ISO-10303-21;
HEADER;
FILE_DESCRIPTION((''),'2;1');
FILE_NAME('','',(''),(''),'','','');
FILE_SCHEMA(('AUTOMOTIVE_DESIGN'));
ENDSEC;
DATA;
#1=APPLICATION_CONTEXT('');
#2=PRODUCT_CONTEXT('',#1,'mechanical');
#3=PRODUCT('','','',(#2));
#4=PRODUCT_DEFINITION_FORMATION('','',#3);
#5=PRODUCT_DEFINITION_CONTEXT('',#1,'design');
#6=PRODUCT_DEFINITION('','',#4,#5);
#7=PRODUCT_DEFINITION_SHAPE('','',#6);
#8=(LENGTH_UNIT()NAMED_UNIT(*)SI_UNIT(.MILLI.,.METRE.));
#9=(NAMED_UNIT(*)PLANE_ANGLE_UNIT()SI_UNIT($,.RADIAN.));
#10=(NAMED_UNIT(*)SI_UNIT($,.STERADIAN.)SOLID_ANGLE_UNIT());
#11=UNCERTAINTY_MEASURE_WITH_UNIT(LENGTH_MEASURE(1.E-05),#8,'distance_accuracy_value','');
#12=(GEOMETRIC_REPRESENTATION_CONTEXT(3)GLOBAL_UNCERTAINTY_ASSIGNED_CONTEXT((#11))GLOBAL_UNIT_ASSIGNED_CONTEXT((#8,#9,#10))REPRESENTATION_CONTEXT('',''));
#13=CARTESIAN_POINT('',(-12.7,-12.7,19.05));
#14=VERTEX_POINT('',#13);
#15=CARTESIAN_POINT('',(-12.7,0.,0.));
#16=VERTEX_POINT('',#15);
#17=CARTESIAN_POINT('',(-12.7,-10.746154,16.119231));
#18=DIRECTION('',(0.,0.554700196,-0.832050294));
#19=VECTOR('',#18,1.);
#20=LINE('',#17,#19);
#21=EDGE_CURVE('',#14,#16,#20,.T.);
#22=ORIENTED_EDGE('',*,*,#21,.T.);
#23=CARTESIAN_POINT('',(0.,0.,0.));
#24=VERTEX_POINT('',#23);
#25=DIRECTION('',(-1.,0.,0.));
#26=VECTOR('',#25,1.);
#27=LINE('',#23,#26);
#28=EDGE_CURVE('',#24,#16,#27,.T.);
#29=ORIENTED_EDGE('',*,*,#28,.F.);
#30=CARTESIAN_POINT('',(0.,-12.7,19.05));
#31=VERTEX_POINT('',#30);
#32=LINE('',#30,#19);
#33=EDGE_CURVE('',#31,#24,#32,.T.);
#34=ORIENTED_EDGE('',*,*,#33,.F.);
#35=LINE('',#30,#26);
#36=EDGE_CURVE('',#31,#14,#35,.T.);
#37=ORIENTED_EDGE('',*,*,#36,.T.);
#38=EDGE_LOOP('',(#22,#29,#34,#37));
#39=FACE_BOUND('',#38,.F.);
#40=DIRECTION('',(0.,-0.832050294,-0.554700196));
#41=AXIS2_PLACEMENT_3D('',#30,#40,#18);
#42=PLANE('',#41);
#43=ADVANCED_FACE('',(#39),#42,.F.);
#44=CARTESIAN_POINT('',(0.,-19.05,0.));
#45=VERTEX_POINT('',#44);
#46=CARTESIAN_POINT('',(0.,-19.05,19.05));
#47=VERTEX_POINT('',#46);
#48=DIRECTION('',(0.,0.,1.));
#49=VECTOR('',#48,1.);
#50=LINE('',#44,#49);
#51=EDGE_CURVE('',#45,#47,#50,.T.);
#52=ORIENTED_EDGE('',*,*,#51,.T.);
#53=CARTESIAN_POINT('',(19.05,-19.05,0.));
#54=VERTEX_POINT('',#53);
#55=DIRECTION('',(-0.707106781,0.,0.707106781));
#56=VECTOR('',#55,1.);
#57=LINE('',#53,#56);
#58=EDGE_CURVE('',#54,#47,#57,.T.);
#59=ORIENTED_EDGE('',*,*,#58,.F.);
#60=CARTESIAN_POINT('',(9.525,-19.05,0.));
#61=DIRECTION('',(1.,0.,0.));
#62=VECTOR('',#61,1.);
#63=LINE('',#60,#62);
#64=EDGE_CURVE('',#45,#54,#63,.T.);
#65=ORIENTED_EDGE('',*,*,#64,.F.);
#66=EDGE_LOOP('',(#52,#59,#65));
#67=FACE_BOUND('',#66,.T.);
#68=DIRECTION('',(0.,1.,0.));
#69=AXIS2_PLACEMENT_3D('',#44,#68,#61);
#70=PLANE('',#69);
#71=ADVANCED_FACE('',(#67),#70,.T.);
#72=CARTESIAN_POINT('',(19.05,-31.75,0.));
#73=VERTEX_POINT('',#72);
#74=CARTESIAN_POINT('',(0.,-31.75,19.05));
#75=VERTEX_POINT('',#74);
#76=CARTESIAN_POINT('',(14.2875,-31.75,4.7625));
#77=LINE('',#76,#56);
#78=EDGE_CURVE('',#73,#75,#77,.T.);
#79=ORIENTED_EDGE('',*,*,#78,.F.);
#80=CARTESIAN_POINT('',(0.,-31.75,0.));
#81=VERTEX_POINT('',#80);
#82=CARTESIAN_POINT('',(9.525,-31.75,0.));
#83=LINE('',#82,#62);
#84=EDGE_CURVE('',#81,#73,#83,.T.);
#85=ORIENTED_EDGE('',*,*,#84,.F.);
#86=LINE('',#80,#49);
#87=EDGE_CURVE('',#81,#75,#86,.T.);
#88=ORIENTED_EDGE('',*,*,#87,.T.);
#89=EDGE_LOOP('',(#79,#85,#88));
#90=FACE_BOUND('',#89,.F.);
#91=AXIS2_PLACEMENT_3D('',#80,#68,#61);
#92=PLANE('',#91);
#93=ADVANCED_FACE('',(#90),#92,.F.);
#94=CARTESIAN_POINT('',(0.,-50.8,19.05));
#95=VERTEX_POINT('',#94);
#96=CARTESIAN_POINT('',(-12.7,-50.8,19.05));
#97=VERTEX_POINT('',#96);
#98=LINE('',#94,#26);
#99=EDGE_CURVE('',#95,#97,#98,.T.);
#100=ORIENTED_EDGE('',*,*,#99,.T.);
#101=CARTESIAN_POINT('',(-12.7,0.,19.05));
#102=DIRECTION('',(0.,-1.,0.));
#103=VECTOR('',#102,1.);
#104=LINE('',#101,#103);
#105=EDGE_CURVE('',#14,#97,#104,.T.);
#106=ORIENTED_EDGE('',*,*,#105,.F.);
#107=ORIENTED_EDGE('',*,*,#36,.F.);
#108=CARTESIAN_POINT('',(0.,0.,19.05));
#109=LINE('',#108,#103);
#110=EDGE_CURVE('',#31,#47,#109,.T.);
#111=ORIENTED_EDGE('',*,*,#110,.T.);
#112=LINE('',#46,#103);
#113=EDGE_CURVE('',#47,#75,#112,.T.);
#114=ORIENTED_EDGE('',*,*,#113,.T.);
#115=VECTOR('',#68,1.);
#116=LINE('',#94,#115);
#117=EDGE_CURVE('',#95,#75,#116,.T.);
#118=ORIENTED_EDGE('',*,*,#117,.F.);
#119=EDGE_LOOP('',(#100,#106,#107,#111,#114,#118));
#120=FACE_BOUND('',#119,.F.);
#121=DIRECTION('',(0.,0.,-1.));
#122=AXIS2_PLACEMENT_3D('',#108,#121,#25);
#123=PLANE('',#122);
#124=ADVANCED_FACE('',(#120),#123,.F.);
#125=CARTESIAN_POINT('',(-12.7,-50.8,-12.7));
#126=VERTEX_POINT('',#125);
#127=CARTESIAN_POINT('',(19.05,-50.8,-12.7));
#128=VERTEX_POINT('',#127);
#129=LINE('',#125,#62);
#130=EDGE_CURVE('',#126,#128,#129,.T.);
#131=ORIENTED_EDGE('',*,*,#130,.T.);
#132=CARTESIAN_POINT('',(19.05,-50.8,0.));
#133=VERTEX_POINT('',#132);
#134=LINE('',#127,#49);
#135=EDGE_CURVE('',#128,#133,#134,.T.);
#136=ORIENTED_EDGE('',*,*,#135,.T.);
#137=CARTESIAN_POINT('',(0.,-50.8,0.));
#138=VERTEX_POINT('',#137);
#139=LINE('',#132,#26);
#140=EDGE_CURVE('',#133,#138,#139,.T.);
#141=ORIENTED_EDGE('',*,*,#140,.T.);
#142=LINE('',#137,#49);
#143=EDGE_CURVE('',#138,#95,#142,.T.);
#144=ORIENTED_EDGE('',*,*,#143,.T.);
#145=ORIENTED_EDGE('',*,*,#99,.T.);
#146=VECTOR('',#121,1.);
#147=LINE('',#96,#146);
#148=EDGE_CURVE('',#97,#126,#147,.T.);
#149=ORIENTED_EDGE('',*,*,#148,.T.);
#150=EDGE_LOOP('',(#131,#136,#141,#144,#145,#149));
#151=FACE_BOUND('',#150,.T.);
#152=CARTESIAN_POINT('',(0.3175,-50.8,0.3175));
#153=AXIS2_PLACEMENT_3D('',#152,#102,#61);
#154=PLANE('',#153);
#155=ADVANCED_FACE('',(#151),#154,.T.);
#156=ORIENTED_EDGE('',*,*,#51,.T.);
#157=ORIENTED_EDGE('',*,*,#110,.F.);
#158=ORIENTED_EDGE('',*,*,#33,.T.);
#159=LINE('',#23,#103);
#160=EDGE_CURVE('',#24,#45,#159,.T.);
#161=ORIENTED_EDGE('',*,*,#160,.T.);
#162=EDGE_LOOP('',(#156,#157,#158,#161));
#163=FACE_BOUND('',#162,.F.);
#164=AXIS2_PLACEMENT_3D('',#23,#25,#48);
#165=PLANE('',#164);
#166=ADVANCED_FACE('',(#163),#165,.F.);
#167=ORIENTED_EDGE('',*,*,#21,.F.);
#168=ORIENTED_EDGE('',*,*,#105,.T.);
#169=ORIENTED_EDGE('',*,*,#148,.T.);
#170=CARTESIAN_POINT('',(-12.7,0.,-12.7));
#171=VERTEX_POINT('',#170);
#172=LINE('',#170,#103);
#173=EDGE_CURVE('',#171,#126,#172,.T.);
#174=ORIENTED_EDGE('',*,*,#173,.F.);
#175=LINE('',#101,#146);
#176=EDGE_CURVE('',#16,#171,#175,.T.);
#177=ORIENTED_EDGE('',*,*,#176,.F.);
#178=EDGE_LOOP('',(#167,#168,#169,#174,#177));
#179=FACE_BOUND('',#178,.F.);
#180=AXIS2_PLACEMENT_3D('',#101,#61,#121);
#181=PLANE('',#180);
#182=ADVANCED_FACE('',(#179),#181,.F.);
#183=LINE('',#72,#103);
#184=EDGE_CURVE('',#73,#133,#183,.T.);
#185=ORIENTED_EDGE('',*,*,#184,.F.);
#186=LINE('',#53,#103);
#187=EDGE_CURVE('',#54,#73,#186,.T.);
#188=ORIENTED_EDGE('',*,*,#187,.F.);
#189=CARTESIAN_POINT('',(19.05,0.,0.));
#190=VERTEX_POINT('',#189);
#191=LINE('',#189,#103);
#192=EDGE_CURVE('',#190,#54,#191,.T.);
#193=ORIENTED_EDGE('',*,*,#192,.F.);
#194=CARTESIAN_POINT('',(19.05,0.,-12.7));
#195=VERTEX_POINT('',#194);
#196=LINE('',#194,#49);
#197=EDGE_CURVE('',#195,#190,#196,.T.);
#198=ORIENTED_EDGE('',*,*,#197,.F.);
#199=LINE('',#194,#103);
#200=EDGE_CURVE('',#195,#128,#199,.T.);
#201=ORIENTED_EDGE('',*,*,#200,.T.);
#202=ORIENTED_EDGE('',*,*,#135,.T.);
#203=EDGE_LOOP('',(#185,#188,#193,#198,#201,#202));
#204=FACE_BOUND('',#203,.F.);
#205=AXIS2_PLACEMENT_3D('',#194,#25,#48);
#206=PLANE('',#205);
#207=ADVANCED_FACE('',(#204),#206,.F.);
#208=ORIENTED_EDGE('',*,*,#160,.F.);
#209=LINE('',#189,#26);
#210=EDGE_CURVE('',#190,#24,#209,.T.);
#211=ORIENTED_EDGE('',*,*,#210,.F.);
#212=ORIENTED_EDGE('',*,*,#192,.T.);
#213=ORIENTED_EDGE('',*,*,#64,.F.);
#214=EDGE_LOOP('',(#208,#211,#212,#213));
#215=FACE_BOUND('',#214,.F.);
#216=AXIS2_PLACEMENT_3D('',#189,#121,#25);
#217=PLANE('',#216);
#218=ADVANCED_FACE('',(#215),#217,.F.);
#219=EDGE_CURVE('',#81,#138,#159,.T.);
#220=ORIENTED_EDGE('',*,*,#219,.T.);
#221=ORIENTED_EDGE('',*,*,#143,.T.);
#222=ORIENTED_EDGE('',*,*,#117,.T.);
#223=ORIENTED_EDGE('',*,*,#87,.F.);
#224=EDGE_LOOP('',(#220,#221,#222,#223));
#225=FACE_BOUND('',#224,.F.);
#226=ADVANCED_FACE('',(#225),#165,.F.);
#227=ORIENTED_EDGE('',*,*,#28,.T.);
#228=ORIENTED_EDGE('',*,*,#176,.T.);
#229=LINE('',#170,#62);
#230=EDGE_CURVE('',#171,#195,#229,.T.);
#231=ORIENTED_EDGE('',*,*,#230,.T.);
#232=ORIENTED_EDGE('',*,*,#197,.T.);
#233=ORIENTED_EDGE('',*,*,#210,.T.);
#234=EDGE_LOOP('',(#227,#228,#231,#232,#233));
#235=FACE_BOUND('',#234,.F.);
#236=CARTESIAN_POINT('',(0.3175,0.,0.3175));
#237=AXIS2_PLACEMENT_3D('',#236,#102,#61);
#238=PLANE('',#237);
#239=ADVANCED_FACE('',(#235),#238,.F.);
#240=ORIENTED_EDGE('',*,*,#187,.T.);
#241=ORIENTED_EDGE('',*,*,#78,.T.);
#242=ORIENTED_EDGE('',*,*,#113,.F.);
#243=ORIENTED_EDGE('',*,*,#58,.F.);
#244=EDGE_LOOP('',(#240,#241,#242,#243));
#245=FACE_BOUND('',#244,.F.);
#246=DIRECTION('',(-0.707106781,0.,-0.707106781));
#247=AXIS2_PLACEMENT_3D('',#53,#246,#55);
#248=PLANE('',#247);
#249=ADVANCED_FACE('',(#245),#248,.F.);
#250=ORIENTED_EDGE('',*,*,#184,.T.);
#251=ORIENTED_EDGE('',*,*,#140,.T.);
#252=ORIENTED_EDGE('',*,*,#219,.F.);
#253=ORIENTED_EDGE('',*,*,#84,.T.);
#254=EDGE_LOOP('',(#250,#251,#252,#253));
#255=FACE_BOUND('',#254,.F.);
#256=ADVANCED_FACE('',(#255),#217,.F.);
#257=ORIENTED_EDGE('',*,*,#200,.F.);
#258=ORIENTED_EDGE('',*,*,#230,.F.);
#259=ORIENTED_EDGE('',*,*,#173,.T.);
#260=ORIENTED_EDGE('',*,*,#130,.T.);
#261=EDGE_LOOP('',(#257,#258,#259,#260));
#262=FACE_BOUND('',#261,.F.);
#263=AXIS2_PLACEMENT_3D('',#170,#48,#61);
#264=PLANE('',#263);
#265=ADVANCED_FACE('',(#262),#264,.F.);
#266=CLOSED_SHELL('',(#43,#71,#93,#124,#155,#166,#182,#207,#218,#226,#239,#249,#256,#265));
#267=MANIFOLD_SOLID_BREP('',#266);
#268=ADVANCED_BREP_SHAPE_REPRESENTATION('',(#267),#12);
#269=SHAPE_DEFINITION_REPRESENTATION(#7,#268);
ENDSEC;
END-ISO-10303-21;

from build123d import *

# Parameters (mm, degrees)
F1_DEPTH = 50.8
F3_DEPTH = 25.4
F4_W     = 19.05
F4_H     = 12.7
F5_DEPTH = 19.05
F7_DEPTH = 25.4


with BuildPart() as f1:
    # F0 (on Front) → F1 (new body)
    with BuildSketch(Plane.XZ):
        Polygon((19.05, 0), (0, 0), (0, 19.05), (-12.7, 19.05), (-12.7, -12.7), (19.05, -12.7), align=None)
    extrude(amount=F1_DEPTH)

    # F2 (on face) → F3 (cut)
    with BuildSketch(Plane.YZ):
        Polygon((0, 19.05), (-12.7, 19.05), (0, 0), align=None)
    extrude(amount=-F3_DEPTH, mode=Mode.SUBTRACT)

    # F4 (on face) → F5 (join)
    with BuildSketch(Plane.XY):
        with Locations((9.525, -25.4)):
            Rectangle(F4_W, F4_H)
    extrude(amount=F5_DEPTH)

    # F6 (on face) → F7 (cut)
    with BuildSketch(Plane(origin=(0, -19.05, 0), x_dir=(-1, 0, 0), z_dir=(0, 1, 0))):
        Polygon((-19.05, 0), (0, 19.05), (-19.05, 19.05), align=None)
    extrude(amount=-F7_DEPTH, mode=Mode.SUBTRACT)


solid = f1.part
